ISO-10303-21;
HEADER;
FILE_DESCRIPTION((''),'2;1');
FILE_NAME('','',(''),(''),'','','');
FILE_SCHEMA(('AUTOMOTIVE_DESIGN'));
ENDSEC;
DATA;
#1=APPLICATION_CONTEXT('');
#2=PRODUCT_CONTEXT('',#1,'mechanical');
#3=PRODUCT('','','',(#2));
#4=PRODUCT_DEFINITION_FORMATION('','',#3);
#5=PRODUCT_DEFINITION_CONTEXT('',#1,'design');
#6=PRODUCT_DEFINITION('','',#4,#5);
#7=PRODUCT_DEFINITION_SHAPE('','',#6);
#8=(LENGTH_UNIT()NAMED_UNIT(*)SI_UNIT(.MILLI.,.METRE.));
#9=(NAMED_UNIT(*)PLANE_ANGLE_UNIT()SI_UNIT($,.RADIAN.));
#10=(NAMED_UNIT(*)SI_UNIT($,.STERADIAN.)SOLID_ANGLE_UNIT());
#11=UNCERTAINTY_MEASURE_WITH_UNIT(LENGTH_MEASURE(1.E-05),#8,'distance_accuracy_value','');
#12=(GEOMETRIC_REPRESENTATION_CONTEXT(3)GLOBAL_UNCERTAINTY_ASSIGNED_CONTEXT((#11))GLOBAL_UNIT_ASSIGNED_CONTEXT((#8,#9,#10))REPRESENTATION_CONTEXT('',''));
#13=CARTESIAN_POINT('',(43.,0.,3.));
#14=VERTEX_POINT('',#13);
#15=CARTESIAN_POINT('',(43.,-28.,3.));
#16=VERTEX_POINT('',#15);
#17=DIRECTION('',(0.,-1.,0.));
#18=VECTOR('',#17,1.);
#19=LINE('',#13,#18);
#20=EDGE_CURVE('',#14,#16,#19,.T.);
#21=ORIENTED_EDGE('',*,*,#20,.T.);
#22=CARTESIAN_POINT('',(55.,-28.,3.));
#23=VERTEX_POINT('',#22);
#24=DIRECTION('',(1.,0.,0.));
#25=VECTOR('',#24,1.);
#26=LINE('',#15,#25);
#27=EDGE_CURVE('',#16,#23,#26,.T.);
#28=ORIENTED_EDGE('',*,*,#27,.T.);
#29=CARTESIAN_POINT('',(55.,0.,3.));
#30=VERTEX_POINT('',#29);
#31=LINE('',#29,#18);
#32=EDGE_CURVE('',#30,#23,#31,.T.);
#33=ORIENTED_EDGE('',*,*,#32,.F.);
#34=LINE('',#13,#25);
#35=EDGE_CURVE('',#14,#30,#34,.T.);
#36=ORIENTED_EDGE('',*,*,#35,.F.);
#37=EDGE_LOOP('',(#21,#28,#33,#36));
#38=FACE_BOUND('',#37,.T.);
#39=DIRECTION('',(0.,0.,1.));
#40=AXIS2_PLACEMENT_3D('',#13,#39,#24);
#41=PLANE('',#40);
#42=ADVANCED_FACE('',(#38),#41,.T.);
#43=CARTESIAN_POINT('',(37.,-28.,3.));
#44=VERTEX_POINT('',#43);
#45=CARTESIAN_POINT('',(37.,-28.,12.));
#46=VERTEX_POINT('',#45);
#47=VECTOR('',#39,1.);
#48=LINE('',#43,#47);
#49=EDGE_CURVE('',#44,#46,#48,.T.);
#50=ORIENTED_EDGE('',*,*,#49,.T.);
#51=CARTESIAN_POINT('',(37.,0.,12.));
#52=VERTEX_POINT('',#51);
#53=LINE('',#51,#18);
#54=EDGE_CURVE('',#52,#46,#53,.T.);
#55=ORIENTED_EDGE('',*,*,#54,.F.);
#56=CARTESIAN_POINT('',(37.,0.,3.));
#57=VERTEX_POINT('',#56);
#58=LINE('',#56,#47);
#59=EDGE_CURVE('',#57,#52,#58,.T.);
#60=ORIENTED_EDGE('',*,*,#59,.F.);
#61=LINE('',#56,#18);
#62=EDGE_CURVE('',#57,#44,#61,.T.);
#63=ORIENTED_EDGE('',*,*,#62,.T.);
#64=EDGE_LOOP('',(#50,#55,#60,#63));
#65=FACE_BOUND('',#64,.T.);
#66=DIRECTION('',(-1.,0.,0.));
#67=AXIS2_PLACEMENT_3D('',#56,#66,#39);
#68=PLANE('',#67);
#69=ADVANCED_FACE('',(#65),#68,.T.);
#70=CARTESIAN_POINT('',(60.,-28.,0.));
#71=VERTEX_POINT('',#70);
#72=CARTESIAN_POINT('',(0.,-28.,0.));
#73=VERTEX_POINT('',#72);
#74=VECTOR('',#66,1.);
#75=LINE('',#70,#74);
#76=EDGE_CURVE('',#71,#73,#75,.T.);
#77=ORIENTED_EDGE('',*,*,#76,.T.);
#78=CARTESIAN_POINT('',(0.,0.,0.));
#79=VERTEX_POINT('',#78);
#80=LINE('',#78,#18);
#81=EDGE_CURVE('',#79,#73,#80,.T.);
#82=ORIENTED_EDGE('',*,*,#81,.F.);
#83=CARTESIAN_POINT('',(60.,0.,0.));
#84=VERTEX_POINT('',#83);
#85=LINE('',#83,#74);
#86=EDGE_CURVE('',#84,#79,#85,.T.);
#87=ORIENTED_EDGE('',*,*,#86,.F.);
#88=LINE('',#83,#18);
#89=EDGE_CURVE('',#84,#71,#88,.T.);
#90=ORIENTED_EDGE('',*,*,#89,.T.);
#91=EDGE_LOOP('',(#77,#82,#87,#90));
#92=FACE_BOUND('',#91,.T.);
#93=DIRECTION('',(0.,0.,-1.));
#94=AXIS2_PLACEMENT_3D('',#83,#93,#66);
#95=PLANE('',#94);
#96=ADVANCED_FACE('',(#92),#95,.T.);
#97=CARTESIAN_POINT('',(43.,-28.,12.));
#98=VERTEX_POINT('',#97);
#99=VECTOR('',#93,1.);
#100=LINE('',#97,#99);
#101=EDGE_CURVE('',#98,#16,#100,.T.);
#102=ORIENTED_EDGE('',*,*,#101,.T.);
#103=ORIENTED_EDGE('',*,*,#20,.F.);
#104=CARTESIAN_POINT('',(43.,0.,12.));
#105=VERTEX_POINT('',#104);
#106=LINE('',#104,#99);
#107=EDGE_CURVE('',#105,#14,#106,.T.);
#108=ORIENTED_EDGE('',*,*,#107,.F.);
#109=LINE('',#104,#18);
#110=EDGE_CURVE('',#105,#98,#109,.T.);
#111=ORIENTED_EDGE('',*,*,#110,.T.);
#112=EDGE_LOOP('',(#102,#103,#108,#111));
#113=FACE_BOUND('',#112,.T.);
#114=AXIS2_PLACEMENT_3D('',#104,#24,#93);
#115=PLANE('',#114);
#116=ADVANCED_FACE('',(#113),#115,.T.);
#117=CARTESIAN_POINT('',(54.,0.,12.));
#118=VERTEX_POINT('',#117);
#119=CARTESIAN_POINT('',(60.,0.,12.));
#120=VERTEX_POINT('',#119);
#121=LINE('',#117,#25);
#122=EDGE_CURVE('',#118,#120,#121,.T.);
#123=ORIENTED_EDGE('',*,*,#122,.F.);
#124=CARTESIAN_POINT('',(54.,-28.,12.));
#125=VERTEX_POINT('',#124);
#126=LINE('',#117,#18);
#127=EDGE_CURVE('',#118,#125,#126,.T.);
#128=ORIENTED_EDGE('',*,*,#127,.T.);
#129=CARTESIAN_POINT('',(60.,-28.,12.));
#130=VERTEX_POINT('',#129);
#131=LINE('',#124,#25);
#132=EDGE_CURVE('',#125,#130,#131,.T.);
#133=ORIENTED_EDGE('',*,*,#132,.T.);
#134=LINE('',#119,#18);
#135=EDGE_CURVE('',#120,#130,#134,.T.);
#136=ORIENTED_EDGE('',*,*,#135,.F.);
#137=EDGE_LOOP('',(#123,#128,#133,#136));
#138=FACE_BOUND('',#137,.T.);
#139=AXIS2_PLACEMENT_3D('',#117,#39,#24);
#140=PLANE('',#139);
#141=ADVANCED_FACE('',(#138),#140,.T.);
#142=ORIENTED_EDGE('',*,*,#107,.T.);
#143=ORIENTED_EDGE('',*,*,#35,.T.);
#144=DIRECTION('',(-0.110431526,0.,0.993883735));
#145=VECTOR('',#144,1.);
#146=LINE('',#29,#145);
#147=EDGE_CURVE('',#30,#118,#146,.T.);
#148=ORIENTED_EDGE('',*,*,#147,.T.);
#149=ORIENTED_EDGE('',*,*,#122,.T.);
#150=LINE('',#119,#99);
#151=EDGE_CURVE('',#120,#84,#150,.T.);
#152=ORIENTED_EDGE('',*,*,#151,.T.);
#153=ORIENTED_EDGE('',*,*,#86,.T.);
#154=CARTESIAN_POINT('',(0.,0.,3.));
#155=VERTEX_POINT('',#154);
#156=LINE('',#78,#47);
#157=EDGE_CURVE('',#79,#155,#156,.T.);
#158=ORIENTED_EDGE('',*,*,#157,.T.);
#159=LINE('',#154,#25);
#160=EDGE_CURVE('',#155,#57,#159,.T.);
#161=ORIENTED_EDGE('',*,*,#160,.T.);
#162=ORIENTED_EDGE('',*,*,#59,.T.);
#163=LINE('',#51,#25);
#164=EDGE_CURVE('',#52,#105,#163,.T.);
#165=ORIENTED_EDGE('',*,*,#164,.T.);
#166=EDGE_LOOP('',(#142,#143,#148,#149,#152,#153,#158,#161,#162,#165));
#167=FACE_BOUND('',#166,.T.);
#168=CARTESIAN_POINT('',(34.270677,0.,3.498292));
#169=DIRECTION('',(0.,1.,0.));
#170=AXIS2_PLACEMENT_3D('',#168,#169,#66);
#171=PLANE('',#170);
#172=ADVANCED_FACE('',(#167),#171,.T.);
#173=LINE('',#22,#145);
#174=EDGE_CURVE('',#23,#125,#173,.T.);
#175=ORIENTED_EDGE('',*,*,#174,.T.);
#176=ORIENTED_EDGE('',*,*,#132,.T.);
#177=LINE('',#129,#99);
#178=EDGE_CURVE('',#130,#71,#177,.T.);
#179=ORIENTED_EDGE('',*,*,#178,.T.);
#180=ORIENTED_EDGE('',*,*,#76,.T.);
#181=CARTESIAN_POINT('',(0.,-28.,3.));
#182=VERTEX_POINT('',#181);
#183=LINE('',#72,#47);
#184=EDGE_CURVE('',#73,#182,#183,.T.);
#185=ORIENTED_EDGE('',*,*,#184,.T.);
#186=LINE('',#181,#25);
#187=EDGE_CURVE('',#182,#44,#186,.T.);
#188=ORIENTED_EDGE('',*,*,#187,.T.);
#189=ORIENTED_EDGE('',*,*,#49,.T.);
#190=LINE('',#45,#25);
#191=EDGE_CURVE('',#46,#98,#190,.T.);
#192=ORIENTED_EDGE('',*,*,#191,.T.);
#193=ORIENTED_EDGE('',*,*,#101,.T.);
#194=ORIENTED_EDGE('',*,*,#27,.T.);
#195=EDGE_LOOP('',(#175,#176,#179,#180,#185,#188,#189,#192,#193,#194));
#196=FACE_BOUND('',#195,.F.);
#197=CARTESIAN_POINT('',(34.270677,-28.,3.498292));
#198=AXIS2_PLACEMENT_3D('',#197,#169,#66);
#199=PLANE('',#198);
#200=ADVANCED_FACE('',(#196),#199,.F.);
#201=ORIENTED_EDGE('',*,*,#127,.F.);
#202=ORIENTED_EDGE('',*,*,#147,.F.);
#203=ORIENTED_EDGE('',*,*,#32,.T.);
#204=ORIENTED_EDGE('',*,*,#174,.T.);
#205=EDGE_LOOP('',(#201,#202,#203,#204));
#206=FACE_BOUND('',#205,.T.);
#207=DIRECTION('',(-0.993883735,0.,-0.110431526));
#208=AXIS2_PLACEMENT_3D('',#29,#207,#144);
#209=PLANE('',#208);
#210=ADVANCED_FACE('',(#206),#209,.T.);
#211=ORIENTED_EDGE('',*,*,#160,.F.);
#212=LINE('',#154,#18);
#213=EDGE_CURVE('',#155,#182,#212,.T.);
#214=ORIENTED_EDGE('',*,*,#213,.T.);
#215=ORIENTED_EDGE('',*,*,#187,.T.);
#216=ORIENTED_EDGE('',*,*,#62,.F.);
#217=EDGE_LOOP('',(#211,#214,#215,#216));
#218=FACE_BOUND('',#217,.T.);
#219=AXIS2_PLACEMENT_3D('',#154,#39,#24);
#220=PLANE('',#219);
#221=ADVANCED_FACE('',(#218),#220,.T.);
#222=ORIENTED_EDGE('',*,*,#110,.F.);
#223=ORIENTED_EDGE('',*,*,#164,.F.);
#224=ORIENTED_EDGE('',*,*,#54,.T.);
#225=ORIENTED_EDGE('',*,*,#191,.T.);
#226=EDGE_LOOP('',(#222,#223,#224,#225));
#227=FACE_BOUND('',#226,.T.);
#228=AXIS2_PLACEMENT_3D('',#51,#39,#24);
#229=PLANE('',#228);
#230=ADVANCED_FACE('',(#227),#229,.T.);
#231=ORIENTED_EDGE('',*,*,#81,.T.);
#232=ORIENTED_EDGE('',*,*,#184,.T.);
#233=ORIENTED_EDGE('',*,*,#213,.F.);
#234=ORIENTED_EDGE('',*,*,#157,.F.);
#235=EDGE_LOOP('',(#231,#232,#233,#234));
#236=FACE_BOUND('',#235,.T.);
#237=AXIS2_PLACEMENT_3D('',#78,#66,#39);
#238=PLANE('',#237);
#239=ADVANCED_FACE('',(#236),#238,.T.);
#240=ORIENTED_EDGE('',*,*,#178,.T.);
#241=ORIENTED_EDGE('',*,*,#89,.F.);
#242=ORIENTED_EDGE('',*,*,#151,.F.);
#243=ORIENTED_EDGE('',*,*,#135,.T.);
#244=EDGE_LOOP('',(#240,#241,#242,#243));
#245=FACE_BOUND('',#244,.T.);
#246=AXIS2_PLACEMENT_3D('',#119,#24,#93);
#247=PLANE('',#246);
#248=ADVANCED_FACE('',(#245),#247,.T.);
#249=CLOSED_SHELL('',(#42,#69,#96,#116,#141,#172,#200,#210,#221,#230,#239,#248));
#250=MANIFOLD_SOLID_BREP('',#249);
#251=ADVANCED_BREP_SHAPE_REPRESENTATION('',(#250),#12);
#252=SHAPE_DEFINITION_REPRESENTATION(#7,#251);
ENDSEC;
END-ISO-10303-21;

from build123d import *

# Parameters (mm, degrees)
PAD_DEPTH = 28


with BuildPart() as part:
    # Sketch → Pad (new body)
    with BuildSketch(Plane.XZ):
        Polygon((0, 0), (0, 3), (37, 3), (37, 12), (43, 12), (43, 3), (55, 3), (54, 12), (60, 12), (60, 0), align=None)
    extrude(amount=PAD_DEPTH)


solid = part.part
